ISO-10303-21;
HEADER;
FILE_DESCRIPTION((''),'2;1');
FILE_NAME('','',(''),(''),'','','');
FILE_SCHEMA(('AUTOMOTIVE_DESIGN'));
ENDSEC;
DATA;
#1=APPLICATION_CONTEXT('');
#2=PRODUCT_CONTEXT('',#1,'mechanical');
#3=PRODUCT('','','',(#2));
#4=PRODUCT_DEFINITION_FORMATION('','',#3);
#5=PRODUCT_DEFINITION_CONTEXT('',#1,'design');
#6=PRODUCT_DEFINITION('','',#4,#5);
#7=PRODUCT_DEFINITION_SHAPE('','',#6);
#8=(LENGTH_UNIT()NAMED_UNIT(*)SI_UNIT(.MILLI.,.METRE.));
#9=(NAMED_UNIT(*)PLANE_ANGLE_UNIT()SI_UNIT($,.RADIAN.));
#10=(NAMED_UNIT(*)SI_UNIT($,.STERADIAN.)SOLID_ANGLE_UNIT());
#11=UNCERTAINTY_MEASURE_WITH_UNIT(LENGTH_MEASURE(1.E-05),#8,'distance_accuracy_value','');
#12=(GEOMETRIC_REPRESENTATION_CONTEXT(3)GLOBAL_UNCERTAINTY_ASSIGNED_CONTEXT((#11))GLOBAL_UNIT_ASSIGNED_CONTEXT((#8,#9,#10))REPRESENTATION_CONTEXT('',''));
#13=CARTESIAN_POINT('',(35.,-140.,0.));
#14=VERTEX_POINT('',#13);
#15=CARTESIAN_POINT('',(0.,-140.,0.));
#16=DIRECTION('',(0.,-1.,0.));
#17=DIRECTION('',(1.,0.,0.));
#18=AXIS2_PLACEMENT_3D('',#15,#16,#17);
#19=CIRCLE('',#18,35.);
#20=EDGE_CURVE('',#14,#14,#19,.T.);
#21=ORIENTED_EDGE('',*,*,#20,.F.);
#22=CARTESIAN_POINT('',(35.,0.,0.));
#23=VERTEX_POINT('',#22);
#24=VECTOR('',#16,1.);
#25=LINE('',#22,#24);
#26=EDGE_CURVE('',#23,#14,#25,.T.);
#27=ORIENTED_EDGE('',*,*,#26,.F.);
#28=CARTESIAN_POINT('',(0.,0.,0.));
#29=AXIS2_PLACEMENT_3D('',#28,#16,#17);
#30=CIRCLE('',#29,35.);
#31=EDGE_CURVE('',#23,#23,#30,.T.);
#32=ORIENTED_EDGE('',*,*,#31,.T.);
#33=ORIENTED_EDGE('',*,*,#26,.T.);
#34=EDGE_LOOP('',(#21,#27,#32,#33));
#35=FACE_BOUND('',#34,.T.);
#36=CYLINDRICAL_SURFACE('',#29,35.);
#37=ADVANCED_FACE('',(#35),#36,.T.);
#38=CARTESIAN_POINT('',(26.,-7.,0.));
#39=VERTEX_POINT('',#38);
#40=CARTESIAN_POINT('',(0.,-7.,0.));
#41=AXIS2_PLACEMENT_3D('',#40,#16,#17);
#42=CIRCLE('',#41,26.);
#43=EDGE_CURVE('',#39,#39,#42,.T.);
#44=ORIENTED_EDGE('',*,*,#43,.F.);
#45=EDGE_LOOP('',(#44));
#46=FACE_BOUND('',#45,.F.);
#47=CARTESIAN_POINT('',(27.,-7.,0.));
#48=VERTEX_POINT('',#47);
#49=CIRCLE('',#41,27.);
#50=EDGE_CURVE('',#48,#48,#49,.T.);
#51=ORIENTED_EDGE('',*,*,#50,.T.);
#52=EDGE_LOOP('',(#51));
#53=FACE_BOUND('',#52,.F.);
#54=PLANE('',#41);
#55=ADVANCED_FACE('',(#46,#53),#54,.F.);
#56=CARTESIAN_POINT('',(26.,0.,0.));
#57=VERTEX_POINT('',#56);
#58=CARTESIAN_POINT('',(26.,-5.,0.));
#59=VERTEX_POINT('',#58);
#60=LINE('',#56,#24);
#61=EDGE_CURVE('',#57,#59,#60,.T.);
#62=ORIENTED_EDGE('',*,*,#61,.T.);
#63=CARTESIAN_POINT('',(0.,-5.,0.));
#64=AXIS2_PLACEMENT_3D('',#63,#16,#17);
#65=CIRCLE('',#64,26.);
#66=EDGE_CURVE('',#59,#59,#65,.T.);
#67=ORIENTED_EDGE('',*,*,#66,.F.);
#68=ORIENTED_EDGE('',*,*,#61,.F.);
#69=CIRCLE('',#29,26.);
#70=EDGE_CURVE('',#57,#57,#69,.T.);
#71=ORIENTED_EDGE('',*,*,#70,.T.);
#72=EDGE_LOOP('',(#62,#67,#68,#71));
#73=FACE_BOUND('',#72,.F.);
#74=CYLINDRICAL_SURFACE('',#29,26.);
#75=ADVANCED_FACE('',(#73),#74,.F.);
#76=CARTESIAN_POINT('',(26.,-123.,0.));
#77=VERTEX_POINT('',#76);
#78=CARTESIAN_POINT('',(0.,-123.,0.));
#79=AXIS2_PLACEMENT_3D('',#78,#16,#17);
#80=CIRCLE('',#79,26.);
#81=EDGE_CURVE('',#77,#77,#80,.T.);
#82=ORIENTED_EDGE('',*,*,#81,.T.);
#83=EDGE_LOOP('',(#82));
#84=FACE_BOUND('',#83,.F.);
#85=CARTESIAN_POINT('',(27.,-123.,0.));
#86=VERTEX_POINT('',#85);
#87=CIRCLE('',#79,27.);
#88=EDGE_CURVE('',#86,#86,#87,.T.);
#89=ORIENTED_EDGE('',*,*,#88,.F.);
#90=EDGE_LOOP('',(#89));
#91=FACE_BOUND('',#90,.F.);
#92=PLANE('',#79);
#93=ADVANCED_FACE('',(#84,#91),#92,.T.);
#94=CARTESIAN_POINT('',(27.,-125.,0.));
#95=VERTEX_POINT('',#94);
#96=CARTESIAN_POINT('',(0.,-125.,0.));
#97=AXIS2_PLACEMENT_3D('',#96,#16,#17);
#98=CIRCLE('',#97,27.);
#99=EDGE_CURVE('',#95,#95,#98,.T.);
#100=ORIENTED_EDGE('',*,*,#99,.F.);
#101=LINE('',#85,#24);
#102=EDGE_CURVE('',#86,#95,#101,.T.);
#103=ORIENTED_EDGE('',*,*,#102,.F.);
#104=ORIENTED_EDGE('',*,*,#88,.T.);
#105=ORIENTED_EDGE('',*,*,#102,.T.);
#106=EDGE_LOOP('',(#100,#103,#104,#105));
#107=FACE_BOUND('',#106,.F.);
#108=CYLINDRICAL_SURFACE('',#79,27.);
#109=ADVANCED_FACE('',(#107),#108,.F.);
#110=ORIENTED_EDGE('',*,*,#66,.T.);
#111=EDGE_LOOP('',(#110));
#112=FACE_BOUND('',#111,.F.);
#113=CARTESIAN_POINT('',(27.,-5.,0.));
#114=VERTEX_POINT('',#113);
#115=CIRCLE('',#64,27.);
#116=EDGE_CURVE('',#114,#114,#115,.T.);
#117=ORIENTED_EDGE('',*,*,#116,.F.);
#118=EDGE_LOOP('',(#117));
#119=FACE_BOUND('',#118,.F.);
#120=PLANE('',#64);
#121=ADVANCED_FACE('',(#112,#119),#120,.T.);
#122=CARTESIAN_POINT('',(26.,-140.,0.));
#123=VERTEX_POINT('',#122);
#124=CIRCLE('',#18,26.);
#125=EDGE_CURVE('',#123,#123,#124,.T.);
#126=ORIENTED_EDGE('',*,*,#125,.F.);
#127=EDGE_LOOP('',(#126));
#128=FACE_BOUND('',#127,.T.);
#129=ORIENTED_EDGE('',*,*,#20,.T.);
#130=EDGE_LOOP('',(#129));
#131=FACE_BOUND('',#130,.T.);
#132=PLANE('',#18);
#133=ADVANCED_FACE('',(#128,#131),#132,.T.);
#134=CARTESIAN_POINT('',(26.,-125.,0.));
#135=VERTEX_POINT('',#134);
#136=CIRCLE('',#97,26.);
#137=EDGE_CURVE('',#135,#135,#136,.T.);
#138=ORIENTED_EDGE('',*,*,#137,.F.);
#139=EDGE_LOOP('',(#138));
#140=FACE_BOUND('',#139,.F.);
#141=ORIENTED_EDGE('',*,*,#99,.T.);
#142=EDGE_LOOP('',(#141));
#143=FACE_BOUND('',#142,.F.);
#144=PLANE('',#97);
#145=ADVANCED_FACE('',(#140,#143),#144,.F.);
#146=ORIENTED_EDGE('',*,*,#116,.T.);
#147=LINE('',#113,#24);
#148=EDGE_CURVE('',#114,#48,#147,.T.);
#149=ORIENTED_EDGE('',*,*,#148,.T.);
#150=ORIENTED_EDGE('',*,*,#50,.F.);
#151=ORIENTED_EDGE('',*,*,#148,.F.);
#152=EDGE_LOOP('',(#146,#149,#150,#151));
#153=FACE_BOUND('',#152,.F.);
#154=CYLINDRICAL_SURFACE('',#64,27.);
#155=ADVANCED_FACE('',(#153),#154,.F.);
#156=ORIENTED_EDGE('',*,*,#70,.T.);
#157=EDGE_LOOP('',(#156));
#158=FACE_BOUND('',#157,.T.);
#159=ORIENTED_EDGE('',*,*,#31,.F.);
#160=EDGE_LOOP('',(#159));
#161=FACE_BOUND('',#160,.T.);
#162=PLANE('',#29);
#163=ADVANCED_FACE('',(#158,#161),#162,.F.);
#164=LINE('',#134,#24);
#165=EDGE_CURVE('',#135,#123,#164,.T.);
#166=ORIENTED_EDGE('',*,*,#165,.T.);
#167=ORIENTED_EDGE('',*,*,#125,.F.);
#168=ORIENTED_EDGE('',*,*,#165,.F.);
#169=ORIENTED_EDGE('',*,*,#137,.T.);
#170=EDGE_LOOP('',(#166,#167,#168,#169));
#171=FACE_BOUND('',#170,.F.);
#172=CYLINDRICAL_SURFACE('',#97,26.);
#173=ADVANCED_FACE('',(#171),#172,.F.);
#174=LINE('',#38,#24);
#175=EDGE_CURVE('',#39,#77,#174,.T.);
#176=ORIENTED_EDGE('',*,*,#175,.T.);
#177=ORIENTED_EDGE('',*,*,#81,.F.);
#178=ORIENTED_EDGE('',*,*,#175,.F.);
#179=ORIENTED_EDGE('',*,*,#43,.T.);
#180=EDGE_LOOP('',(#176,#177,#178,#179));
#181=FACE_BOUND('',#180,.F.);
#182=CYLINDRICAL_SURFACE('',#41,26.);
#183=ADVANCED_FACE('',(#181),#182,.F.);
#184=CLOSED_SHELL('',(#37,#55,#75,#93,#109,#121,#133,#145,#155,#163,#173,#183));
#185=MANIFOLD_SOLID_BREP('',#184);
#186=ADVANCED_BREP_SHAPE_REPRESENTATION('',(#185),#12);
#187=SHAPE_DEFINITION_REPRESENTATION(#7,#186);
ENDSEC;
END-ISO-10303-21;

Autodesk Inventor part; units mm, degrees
ref_plane "YZ Plane" through (0, 0, 0) normal (1, 0, 0) x (0, 1, 0)
ref_plane "XZ Plane" through (0, 0, 0) normal (0, 1, 0) x (-1, 0, 0)
ref_plane "XY Plane" through (0, 0, 0) normal (0, 0, 1) x (1, 0, 0)
sketch "Эскиз1" plane through (0, 0, 0) normal (0, 0, 1) x (1, 0, 0)
  line L0 (0, 0) -> (0, -140)
  line L1 (0, 0) -> (26, 0) construction
  line L2 (35, 0) -> (35, -140)
  line L3 (35, -140) -> (26, -140)
  line L4 (26, 0) -> (26, -5)
  line L5 (26, -5) -> (27, -5)
  line L6 (27, -5) -> (27, -7)
  line L7 (27, -7) -> (26, -7)
  line L8 (26, -7) -> (26, -123)
  line L9 (26, -123) -> (27, -123)
  line L10 (27, -123) -> (27, -125)
  line L11 (27, -125) -> (26, -125)
  line L12 (26, -125) -> (26, -140)
  line L13 (26, -140) -> (0, -140) construction
  line L14 (26, 0) -> (35, 0)
  point P0 (26, -7)
  point P1 (28.5, 0)
  dimension "d0" = 140
  dimension "d1" = 70
  dimension "d3" = 54
  dimension "d4" = 52
  dimension "d5" = 2
  dimension "d6" = 2
  dimension "d13" = 5
  dimension "d14" = 15
revolve "Вращение1" add sketch "Эскиз1" angle 360 about axis through (0, 0, 0) along (0, -1, 0)
equation "\"d14\" = my_parameter"
equation "\"my_parameter\" = 15"
properties part number "корпус"
